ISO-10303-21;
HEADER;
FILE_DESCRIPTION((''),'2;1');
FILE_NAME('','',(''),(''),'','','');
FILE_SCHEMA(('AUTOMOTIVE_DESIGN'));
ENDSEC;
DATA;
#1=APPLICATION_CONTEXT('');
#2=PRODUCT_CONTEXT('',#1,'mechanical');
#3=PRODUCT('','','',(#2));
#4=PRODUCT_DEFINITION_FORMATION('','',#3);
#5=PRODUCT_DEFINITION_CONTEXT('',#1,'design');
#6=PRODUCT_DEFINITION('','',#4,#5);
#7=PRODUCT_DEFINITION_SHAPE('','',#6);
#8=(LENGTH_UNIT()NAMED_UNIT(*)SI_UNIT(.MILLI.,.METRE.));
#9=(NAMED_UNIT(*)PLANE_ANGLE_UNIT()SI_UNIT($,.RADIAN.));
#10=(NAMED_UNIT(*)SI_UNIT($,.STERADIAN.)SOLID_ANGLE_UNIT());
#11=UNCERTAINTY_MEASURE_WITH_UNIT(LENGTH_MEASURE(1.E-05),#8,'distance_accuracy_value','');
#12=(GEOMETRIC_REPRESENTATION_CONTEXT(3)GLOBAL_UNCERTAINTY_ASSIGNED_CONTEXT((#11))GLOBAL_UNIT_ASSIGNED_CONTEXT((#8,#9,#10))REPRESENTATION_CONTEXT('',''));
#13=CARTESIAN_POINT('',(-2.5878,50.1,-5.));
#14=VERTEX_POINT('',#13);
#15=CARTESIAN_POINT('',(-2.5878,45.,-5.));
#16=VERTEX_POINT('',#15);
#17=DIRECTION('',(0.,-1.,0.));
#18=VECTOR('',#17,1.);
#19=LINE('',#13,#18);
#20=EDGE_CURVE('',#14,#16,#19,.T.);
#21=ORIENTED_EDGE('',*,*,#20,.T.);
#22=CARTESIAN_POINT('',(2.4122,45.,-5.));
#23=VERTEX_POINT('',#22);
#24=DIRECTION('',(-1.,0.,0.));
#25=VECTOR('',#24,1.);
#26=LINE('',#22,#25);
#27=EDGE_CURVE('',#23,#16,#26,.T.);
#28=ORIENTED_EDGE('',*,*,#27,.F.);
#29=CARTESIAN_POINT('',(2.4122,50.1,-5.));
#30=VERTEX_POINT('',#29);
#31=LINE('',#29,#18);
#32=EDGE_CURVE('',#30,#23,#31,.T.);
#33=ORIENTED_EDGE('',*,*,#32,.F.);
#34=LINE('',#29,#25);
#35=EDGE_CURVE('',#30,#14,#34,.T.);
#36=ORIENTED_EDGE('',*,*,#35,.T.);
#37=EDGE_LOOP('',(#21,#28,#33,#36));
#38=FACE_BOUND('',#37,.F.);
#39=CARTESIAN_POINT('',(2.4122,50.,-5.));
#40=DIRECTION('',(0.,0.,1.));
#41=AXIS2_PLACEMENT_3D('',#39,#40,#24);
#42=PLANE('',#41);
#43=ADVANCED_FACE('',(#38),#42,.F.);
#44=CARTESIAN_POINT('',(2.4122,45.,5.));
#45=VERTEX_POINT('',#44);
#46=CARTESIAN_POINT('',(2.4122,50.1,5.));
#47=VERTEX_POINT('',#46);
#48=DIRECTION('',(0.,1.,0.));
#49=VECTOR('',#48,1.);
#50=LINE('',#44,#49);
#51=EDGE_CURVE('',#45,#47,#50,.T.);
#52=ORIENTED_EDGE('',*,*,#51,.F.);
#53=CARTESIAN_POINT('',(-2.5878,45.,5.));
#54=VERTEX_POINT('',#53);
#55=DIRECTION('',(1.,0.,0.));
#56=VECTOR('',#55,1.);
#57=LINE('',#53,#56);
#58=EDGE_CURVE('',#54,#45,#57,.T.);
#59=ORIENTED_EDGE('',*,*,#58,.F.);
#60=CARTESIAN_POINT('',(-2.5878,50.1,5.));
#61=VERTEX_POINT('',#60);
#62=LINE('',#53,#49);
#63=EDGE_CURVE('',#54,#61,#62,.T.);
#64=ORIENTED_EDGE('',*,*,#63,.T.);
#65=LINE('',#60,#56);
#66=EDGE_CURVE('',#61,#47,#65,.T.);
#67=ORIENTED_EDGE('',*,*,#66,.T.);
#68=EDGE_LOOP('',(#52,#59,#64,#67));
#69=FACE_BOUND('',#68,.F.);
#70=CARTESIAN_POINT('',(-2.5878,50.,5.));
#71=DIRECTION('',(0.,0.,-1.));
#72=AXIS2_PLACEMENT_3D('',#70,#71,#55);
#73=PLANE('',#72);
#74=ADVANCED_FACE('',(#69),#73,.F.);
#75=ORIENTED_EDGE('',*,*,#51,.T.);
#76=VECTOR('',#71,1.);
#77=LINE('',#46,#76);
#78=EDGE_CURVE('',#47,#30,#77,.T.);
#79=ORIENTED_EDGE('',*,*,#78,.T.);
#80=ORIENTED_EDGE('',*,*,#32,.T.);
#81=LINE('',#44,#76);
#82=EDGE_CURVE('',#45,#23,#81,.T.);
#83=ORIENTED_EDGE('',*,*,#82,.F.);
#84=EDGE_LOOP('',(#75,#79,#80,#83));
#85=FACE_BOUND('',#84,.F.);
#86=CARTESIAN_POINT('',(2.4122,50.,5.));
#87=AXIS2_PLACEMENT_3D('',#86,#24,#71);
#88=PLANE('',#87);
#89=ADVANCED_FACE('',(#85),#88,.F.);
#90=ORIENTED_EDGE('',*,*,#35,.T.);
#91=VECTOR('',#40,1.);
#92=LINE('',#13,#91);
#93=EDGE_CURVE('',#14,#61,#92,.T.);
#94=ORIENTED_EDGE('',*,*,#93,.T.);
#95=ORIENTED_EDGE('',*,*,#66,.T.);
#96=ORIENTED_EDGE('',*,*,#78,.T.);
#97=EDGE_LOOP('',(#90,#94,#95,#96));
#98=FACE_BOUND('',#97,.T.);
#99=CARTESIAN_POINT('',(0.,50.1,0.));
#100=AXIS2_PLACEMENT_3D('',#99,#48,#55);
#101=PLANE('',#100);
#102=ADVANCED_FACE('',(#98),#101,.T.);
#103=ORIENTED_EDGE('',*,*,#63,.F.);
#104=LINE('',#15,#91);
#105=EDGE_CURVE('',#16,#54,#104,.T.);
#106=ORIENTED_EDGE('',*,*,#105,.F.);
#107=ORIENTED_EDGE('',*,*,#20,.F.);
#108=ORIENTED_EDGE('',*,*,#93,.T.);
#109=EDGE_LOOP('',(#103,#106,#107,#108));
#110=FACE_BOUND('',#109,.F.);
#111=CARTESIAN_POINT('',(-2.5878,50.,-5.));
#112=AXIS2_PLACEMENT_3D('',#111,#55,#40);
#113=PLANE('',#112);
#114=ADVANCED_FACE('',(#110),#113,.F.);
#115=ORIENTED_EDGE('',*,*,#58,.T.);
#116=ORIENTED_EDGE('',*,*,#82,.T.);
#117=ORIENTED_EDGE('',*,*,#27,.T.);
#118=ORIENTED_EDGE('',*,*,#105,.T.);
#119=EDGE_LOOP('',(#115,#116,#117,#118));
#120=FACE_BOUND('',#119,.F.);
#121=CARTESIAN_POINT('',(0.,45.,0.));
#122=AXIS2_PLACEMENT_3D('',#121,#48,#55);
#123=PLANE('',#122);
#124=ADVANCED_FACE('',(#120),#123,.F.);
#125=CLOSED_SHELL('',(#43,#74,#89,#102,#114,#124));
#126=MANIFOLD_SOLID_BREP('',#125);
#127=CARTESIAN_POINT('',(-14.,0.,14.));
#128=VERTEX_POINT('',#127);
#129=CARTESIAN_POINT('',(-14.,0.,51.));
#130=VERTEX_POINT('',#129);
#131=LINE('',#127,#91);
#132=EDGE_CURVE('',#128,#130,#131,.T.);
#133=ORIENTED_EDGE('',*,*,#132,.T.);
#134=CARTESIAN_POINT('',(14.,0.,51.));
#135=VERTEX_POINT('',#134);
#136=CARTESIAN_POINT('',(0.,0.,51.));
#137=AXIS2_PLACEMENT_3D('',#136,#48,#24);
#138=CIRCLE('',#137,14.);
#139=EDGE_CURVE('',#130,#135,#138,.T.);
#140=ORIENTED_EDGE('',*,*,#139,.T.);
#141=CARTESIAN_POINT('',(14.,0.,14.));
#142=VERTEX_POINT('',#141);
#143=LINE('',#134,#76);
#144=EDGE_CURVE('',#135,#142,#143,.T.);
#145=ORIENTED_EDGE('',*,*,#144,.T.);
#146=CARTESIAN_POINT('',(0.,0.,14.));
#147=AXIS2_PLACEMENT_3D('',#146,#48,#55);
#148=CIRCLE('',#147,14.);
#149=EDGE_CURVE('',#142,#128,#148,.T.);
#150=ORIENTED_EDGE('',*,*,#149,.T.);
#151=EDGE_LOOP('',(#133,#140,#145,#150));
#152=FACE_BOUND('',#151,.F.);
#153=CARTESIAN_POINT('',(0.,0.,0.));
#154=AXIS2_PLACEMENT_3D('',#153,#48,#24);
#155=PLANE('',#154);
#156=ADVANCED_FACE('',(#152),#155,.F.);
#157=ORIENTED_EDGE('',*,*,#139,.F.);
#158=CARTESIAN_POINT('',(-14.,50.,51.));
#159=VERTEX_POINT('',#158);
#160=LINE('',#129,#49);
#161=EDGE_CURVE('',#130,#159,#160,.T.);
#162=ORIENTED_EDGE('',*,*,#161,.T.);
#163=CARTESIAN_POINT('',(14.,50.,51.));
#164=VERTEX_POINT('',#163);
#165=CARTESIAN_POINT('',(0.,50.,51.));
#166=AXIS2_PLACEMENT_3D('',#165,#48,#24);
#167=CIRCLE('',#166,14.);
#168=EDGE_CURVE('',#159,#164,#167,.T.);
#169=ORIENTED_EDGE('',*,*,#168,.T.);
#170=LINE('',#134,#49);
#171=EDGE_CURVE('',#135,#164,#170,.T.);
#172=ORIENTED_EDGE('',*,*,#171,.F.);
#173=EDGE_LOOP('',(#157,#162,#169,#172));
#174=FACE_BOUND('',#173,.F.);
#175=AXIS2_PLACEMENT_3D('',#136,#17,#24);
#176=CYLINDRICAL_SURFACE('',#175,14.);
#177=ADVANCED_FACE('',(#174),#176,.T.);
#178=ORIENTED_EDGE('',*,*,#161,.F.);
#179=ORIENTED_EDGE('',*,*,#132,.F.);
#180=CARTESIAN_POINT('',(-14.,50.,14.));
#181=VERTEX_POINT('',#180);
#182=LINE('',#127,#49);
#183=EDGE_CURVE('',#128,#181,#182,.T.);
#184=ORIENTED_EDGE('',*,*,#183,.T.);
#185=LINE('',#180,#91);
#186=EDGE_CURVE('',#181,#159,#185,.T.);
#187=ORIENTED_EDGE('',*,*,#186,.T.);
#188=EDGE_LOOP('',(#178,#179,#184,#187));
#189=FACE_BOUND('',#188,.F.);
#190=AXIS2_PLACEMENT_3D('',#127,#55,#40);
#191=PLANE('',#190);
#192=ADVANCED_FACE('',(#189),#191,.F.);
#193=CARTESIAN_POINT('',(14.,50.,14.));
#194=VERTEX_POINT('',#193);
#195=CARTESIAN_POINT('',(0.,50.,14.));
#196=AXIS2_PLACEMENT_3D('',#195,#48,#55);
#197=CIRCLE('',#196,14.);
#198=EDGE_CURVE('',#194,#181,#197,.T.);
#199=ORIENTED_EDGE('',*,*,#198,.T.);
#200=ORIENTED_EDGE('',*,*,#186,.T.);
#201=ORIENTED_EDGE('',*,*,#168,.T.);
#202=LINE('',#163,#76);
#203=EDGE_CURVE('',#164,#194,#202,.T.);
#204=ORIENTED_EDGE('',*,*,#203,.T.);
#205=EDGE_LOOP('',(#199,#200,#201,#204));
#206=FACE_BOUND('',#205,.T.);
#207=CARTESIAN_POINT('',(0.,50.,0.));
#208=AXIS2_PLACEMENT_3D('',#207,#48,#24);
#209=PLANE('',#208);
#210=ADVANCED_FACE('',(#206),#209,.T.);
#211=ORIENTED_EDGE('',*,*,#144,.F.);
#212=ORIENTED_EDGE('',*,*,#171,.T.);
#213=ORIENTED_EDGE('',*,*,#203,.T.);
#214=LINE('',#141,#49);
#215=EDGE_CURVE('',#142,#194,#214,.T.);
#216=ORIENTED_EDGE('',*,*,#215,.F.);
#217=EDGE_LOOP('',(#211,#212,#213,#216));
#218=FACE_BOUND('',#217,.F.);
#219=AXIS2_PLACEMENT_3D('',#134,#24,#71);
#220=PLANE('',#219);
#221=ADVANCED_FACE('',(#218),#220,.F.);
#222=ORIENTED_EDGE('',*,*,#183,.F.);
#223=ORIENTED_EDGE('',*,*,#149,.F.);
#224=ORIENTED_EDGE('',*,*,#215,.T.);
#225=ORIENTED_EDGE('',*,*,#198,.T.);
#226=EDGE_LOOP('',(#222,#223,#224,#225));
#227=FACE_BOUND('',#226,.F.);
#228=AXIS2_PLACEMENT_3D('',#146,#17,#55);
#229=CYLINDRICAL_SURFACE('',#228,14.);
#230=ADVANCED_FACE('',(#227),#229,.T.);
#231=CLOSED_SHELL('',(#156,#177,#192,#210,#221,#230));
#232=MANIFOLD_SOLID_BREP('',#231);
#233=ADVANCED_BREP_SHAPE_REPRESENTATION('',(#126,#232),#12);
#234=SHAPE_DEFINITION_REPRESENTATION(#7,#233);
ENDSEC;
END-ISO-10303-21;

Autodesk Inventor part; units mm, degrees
ref_plane "YZ Plane" through (0, 0, 0) normal (1, 0, 0) x (0, 1, 0)
ref_plane "XZ Plane" through (0, 0, 0) normal (0, 1, 0) x (-1, 0, 0)
ref_plane "XY Plane" through (0, 0, 0) normal (0, 0, 1) x (1, 0, 0)
sketch "Sketch1" plane through (0, 0, 0) normal (0, 1, 0) x (-1, 0, 0)
  line L0 (0, 65) -> (0, 0) construction
  line L1 (-14, 51) -> (-14, 14)
  line L2 (14, 14) -> (14, 51)
  arc A0 (14, 51) -> (-14, 51) centre (0, 51) ccw
  arc A1 (-14, 14) -> (14, 14) centre (0, 14) ccw
  point P0 (0, 32.5)
  dimension "d0" = 65
  dimension "d1" = 28
extrude "Extrusion1" add sketch "Sketch1" along normal blind 50
sketch "Sketch2" plane through (0, 50, 0) normal (0, 1, 0) x (1, 0, 0)
  line L0 (-2.5878, -5) -> (2.4122, -5)
  line L1 (2.4122, -5) -> (2.4122, 5)
  line L2 (2.4122, 5) -> (-2.5878, 5)
  line L3 (-2.5878, 5) -> (-2.5878, -5)
  point P0 (0, 0)
  dimension "d4" = 5
  dimension "d5" = 10
  dimension "d6" = 5
extrude "Extrusion2" add sketch "Sketch2" along normal blind 0.1 and the other way blind 5 separate body
properties part number "battery"
